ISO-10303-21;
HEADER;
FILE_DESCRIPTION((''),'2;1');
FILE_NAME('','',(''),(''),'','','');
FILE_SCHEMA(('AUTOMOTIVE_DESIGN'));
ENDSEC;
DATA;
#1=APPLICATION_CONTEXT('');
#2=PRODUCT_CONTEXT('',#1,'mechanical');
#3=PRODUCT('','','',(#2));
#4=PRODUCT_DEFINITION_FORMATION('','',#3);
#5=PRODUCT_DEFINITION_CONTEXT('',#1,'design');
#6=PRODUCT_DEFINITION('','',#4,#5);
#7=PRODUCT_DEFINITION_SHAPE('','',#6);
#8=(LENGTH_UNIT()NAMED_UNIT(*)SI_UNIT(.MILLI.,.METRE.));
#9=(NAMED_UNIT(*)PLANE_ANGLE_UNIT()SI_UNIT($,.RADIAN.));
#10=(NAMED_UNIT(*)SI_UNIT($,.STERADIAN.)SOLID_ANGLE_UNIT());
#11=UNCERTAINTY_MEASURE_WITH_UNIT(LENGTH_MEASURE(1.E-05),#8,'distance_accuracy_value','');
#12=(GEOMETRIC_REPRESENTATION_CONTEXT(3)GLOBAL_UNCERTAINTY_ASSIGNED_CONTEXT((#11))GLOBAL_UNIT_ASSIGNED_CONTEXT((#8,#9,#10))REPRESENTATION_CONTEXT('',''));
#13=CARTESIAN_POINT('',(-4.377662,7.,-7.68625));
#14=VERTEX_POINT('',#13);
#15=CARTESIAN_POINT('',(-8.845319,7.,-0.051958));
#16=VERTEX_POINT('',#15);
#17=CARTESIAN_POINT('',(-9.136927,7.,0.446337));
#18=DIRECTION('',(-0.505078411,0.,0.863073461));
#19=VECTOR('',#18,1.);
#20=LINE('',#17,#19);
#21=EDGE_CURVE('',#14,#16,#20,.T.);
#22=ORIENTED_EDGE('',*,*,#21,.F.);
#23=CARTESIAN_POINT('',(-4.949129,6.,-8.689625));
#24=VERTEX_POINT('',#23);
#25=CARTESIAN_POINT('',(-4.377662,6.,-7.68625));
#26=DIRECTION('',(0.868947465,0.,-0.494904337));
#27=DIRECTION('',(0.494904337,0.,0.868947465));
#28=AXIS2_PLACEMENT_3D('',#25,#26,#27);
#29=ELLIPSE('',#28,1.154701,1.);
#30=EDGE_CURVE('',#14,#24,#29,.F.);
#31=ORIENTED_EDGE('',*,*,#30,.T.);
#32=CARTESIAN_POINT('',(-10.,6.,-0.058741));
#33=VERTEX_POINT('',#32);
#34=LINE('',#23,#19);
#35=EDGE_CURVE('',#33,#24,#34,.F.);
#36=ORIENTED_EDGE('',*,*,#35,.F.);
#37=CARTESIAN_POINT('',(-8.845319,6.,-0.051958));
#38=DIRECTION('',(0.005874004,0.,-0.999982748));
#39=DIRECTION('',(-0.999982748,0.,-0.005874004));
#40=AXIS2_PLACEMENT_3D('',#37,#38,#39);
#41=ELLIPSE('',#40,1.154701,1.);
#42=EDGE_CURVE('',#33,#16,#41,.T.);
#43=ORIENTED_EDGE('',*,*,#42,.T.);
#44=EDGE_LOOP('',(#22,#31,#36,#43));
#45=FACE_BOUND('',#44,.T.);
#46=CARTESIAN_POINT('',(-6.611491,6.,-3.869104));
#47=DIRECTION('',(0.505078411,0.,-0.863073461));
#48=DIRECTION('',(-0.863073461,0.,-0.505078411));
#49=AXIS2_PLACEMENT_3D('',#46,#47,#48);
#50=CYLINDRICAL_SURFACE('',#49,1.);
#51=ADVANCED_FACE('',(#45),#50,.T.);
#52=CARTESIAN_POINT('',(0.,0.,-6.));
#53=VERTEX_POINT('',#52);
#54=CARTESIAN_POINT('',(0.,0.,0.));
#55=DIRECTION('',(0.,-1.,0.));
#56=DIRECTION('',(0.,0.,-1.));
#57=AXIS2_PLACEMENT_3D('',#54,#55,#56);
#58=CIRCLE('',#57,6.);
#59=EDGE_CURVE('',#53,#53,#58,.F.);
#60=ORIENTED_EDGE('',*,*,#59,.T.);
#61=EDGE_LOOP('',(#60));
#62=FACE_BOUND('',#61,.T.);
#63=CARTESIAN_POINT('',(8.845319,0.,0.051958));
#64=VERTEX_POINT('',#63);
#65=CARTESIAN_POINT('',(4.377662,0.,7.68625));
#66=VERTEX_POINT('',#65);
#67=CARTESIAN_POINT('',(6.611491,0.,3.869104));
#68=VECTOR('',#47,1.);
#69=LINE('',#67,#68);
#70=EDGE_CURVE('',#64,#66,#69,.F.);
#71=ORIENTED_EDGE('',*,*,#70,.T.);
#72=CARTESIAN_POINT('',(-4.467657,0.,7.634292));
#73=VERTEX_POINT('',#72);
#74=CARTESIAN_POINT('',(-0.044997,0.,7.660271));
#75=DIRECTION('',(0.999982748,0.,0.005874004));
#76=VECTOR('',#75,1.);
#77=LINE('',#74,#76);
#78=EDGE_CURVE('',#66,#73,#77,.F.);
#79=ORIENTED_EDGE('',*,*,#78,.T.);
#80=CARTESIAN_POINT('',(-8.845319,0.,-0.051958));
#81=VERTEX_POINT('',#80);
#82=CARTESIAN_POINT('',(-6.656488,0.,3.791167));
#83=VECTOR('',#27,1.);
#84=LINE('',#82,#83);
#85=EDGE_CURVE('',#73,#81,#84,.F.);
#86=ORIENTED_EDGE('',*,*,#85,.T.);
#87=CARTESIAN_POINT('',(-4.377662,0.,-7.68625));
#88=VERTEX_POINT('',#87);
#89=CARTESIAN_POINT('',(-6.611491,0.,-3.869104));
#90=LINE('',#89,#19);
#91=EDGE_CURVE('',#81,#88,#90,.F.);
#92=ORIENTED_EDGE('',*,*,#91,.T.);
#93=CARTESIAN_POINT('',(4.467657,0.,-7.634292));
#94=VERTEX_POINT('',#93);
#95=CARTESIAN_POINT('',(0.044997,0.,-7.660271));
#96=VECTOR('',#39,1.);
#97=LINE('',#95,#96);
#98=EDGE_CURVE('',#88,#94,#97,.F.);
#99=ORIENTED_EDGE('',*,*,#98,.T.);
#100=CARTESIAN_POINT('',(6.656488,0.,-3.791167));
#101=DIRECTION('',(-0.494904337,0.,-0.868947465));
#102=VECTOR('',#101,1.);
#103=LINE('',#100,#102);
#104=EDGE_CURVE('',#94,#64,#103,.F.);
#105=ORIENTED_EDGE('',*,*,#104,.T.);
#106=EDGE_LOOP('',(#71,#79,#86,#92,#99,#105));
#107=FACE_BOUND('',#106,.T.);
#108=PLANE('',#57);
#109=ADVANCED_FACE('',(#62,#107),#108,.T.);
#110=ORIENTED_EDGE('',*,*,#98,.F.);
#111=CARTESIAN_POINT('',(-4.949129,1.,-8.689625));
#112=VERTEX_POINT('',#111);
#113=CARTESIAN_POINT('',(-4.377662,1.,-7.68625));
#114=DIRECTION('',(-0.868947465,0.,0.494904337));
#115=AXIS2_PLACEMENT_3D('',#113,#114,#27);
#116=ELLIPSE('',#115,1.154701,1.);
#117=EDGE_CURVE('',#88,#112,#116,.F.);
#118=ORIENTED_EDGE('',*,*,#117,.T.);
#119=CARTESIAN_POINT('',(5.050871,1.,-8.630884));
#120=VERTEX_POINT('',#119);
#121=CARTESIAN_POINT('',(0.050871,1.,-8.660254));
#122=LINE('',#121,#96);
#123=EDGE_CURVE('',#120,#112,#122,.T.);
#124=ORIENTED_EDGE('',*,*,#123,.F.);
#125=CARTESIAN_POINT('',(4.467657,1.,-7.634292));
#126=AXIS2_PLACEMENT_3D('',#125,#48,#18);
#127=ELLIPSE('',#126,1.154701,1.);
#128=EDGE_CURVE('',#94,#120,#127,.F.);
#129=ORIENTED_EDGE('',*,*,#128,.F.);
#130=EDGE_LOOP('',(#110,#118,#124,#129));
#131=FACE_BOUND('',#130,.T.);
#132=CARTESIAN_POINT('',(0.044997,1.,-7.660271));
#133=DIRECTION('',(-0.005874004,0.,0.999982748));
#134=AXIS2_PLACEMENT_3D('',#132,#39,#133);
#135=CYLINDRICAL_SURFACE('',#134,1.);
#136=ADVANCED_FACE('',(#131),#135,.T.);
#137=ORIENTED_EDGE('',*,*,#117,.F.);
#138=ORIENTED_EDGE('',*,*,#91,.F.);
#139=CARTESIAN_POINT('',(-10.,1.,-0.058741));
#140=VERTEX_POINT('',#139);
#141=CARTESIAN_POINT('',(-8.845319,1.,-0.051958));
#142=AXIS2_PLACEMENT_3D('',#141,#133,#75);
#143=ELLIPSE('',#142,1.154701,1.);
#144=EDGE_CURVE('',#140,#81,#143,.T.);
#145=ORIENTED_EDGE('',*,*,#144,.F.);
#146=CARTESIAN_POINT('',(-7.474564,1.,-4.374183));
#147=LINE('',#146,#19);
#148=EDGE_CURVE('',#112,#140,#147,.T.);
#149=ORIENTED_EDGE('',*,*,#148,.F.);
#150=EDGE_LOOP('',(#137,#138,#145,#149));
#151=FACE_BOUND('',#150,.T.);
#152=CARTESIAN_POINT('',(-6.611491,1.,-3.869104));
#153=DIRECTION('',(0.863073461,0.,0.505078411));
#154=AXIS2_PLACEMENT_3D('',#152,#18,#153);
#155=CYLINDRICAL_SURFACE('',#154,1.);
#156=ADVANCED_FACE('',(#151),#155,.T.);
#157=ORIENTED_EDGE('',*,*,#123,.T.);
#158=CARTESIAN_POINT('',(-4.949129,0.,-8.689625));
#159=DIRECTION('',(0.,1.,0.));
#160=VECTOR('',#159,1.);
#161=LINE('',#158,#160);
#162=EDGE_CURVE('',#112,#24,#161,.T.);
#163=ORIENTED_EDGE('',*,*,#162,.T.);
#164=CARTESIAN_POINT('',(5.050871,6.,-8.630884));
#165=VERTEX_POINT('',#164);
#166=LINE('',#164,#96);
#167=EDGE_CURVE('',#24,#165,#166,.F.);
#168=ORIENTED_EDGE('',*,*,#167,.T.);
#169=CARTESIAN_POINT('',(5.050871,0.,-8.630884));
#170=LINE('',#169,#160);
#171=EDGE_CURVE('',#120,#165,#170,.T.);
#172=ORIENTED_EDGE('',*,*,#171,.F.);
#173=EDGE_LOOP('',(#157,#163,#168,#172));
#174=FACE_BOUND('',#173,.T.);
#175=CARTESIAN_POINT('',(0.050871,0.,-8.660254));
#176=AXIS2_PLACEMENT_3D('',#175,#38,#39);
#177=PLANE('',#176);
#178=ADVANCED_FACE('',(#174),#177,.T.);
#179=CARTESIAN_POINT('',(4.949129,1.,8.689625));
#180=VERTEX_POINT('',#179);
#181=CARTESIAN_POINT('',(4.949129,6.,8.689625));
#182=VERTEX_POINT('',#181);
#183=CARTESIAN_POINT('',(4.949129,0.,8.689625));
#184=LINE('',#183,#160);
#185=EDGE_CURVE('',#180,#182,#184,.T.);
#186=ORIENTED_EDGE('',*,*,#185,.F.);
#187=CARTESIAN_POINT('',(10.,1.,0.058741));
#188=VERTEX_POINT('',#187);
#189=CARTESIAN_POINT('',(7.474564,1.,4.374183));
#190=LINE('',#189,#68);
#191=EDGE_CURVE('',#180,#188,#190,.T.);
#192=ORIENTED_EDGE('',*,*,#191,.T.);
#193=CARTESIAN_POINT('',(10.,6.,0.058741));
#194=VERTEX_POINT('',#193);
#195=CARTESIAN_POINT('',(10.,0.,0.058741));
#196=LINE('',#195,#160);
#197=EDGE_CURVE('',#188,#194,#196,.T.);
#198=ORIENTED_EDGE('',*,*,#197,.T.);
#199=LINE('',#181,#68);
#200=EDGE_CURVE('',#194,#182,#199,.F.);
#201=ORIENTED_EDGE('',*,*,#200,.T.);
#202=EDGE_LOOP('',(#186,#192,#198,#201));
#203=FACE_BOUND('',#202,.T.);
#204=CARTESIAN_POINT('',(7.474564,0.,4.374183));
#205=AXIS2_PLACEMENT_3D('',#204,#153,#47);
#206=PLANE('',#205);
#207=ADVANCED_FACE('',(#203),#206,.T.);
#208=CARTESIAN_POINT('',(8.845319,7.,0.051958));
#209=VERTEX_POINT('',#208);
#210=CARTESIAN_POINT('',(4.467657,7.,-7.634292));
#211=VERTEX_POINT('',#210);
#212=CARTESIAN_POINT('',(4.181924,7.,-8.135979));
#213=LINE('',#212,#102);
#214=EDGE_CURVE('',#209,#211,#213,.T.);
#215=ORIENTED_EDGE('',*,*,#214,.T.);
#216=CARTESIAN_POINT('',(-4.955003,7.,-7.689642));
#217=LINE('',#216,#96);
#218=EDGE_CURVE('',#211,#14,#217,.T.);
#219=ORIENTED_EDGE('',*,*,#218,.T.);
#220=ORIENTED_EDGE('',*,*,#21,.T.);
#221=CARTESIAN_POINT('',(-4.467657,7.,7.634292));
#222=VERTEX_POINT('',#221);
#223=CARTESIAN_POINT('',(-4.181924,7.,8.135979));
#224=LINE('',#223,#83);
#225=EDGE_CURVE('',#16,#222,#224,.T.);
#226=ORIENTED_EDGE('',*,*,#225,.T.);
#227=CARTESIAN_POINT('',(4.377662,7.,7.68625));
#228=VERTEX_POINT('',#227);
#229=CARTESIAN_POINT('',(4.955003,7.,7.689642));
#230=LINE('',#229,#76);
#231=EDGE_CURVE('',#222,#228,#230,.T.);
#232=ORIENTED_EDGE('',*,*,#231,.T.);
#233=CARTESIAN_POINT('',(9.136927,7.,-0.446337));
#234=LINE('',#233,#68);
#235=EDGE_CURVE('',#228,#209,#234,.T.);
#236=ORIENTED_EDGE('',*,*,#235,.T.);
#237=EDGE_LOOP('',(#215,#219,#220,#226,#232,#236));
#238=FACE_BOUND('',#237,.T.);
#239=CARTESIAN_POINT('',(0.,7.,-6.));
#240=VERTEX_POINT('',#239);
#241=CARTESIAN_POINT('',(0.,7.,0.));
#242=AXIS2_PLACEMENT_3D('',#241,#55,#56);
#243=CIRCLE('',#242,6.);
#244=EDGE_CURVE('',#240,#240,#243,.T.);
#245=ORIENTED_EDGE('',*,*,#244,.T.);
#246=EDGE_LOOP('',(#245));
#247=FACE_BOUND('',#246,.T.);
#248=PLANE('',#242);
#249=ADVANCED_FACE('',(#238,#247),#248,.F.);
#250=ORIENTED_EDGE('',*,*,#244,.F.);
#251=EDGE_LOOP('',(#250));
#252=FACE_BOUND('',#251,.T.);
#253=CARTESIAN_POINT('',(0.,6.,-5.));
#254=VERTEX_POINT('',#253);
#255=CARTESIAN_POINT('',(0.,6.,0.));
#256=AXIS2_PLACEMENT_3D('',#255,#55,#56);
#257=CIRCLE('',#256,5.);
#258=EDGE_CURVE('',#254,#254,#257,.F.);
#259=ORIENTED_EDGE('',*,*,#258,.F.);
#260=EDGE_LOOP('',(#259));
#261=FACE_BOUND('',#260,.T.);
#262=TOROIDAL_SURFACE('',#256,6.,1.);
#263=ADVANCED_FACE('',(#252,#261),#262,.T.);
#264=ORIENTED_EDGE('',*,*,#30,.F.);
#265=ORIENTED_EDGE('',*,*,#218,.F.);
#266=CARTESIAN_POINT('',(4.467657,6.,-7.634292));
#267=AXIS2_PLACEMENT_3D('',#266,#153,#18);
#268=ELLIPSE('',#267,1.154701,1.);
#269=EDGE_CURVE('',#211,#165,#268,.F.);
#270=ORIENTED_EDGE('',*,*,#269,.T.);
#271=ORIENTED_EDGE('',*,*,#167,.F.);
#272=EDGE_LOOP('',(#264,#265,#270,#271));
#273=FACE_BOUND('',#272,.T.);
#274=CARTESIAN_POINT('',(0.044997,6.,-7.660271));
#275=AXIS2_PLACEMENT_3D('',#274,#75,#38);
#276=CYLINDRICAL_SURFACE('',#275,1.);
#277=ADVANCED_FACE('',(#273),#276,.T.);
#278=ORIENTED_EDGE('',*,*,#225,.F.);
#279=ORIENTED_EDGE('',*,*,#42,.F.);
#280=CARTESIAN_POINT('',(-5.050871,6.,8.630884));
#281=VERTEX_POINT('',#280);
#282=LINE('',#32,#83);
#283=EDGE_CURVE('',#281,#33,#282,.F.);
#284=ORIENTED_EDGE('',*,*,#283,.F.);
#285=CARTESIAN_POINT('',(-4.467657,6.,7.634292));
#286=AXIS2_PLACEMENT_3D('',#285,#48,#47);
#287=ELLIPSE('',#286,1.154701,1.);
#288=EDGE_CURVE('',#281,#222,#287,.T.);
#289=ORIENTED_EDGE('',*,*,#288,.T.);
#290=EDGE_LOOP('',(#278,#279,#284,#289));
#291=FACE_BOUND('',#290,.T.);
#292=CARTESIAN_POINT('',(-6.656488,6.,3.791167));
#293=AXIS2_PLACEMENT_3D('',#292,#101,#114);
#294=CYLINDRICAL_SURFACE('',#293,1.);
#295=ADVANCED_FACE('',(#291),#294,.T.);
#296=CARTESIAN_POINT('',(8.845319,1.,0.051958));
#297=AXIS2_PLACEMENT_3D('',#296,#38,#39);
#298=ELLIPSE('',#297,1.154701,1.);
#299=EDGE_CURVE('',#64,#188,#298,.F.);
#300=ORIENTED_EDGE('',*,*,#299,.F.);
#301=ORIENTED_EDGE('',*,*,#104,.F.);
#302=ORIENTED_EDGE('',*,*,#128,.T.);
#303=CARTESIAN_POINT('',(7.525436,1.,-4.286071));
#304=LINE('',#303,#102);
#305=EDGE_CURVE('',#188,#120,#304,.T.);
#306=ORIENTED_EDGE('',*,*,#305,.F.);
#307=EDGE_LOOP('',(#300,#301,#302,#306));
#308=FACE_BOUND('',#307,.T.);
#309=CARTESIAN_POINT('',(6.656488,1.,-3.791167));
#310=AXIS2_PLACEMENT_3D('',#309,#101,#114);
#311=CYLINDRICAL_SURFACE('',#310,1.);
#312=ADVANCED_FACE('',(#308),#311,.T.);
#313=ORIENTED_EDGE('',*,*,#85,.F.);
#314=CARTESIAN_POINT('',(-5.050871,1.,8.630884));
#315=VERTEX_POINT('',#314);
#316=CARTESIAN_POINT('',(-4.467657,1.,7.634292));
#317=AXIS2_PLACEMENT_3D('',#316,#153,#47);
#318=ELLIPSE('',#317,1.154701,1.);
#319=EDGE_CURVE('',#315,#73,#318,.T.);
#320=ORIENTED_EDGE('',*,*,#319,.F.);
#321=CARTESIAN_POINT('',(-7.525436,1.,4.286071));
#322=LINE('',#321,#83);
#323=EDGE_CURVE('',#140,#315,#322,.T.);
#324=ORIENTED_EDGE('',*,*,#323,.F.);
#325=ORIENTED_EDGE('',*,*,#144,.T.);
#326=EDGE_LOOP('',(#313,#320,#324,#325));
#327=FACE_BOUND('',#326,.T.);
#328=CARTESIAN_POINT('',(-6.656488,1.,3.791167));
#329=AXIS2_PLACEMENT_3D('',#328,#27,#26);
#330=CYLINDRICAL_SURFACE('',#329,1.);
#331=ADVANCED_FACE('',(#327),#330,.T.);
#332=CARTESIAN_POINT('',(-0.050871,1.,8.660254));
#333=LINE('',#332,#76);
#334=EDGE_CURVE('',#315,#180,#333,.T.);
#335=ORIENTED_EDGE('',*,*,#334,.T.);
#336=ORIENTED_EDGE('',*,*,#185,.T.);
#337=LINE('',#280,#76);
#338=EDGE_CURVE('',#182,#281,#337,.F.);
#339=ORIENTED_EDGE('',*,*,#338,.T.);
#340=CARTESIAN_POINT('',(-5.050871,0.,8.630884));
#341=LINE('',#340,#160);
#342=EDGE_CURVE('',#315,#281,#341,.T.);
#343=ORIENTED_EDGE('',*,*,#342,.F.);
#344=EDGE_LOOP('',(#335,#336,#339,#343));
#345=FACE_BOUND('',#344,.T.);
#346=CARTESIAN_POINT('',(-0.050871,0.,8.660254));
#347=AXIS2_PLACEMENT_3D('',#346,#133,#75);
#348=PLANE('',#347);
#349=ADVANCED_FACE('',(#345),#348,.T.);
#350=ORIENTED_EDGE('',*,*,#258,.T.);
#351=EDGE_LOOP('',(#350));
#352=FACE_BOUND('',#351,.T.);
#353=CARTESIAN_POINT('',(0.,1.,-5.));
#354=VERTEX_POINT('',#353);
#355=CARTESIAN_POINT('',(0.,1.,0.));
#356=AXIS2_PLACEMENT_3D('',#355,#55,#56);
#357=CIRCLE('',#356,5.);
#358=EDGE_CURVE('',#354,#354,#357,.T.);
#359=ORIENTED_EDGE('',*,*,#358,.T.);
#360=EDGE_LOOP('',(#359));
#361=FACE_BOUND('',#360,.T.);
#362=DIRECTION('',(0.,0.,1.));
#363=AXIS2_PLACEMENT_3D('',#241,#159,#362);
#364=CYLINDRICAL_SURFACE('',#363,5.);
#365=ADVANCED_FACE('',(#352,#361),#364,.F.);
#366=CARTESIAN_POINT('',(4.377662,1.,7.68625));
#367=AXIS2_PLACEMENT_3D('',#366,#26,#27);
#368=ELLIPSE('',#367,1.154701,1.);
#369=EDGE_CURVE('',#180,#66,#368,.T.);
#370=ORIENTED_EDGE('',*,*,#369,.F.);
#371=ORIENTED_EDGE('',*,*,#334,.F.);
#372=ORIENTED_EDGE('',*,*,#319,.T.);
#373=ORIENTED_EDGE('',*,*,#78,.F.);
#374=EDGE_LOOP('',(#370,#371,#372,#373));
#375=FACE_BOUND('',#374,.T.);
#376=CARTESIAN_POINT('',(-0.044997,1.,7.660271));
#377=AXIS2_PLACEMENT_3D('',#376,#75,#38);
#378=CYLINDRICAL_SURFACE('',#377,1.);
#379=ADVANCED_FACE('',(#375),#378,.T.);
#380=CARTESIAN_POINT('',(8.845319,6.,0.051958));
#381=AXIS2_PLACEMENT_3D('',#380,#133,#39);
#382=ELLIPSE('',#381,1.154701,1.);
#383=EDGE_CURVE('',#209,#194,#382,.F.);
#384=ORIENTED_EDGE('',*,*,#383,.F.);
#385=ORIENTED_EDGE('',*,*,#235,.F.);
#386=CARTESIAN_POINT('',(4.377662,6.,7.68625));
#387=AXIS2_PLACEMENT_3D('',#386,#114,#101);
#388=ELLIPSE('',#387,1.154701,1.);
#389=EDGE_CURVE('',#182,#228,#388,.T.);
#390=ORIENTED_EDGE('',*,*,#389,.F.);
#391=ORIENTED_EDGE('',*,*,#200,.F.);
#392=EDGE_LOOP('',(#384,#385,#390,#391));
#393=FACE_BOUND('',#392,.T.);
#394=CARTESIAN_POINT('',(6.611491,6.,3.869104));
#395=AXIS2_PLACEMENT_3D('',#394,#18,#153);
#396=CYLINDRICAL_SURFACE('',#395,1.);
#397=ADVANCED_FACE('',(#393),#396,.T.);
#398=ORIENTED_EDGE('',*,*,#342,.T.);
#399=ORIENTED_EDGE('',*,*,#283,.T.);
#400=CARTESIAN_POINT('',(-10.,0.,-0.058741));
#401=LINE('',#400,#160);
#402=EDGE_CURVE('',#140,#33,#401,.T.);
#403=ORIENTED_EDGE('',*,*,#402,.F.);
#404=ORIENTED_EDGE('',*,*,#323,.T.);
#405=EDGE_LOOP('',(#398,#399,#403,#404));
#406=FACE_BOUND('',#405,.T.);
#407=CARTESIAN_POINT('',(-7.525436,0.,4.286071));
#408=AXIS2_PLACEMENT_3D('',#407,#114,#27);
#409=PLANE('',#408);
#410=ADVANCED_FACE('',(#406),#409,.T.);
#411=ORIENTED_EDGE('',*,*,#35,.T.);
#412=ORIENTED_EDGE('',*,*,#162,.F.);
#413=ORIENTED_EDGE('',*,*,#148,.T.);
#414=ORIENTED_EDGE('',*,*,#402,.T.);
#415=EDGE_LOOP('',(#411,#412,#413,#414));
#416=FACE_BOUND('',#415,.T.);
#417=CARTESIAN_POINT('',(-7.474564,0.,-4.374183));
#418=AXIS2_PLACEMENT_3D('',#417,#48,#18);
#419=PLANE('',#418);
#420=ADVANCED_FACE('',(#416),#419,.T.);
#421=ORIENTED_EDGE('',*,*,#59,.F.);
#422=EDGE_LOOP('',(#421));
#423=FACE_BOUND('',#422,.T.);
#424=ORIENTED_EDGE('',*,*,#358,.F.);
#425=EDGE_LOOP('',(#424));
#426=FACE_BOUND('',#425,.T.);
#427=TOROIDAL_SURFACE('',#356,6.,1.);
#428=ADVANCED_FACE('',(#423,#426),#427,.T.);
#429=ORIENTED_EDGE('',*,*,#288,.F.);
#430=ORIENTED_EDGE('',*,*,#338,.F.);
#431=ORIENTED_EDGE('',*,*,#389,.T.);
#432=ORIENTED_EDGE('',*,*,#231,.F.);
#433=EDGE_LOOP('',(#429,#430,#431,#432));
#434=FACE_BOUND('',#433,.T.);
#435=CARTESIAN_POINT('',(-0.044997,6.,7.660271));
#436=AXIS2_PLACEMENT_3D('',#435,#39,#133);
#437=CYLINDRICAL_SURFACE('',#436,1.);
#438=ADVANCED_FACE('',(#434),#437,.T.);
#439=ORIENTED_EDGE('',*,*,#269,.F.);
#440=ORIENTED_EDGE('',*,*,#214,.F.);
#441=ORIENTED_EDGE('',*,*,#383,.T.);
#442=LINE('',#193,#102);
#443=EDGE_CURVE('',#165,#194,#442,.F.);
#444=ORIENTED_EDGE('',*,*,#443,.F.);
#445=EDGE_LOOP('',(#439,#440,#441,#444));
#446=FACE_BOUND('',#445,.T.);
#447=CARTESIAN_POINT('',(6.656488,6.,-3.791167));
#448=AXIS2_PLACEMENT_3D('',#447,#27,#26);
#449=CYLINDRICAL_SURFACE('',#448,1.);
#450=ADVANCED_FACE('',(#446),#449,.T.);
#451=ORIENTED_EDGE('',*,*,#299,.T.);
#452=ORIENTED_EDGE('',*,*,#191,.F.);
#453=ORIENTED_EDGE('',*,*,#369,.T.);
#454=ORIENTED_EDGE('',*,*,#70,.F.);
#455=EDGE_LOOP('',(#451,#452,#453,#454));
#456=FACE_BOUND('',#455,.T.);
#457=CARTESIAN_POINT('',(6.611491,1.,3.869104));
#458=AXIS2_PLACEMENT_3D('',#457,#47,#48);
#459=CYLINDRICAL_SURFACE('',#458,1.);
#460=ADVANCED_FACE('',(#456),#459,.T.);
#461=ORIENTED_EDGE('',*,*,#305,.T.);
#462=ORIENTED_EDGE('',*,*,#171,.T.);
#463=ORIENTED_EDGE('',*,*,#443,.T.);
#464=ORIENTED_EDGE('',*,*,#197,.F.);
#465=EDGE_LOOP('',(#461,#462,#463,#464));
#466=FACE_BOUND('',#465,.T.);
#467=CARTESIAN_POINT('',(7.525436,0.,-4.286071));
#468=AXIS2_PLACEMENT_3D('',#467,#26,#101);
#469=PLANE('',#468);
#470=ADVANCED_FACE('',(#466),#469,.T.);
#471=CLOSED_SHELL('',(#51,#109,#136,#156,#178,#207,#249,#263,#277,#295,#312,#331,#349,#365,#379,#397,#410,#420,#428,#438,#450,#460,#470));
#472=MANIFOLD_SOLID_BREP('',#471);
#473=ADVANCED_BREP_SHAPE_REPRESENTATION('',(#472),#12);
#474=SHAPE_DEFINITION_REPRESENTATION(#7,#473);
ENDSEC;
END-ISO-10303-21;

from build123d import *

# Parameters (mm, degrees)
SKETCH1_W                        = 20
SKETCH1_H                        = 20
BOSS_EXTRUDE1_DEPTH              = 7
F_10_0MM_CLEARANCE_DOWEL_HOLE1_D = 10
CUT_EXTRUDE1_DEPTH               = 16.779733838
FILLET1_R                        = 1


with BuildPart() as part:
    # Sketch1 → Boss-Extrude1 (new body)
    with BuildSketch(Plane(origin=(0, 0, 0), x_dir=(1, 0, 0), z_dir=(0, 1, 0))):
        Rectangle(SKETCH1_W, SKETCH1_H)
    extrude(amount=BOSS_EXTRUDE1_DEPTH)

    # Ø10.0mm Clearance Dowel Hole1 (through all)
    with Locations(Plane(origin=(0, 7, 0), x_dir=(1, 0, 0), z_dir=(0, 1, 0))):
        with Locations((0, 0)):
            Hole(F_10_0MM_CLEARANCE_DOWEL_HOLE1_D / 2)

    # Sketch6 → Cut-Extrude1 (cut, through all)
    with BuildSketch(Plane(origin=(0, 7, 0), x_dir=(1, 0, 0), z_dir=(0, 1, 0))):
        Polygon((-10, 10), (-10, 0.058741053), (-4.949128756, 8.689624564), (5.050871244, 8.630883511), (10, -0.058741053), (10, 10), align=None)
        Polygon((4.949128756, -8.689624564), (-5.050871244, -8.630883511), (-10, 0.058741053), (-10, -10), (10, -10), (10, -0.058741053), align=None)
    extrude(amount=-CUT_EXTRUDE1_DEPTH, mode=Mode.SUBTRACT)

    # Fillet1
    fillet1_edges = [part.edges().sort_by_distance(p)[0] for p in [
        (5, 7, 0),
        (5, 0, 0),
        (-7.474564378, 7, -4.374182809),
        (7.525435622, 7, -4.286071229),
        (0.050871244, 7, -8.660254038),
        (-7.474564378, 0, -4.374182809),
        (7.525435622, 0, -4.286071229),
        (0.050871244, 0, -8.660254038),
        (-7.525435622, 7, 4.286071229),
        (-0.050871244, 7, 8.660254038),
        (7.474564378, 7, 4.374182809),
        (-7.525435622, 0, 4.286071229),
        (-0.050871244, 0, 8.660254038),
        (7.474564378, 0, 4.374182809),
    ]]
    fillet(fillet1_edges, radius=FILLET1_R)


solid = part.part
